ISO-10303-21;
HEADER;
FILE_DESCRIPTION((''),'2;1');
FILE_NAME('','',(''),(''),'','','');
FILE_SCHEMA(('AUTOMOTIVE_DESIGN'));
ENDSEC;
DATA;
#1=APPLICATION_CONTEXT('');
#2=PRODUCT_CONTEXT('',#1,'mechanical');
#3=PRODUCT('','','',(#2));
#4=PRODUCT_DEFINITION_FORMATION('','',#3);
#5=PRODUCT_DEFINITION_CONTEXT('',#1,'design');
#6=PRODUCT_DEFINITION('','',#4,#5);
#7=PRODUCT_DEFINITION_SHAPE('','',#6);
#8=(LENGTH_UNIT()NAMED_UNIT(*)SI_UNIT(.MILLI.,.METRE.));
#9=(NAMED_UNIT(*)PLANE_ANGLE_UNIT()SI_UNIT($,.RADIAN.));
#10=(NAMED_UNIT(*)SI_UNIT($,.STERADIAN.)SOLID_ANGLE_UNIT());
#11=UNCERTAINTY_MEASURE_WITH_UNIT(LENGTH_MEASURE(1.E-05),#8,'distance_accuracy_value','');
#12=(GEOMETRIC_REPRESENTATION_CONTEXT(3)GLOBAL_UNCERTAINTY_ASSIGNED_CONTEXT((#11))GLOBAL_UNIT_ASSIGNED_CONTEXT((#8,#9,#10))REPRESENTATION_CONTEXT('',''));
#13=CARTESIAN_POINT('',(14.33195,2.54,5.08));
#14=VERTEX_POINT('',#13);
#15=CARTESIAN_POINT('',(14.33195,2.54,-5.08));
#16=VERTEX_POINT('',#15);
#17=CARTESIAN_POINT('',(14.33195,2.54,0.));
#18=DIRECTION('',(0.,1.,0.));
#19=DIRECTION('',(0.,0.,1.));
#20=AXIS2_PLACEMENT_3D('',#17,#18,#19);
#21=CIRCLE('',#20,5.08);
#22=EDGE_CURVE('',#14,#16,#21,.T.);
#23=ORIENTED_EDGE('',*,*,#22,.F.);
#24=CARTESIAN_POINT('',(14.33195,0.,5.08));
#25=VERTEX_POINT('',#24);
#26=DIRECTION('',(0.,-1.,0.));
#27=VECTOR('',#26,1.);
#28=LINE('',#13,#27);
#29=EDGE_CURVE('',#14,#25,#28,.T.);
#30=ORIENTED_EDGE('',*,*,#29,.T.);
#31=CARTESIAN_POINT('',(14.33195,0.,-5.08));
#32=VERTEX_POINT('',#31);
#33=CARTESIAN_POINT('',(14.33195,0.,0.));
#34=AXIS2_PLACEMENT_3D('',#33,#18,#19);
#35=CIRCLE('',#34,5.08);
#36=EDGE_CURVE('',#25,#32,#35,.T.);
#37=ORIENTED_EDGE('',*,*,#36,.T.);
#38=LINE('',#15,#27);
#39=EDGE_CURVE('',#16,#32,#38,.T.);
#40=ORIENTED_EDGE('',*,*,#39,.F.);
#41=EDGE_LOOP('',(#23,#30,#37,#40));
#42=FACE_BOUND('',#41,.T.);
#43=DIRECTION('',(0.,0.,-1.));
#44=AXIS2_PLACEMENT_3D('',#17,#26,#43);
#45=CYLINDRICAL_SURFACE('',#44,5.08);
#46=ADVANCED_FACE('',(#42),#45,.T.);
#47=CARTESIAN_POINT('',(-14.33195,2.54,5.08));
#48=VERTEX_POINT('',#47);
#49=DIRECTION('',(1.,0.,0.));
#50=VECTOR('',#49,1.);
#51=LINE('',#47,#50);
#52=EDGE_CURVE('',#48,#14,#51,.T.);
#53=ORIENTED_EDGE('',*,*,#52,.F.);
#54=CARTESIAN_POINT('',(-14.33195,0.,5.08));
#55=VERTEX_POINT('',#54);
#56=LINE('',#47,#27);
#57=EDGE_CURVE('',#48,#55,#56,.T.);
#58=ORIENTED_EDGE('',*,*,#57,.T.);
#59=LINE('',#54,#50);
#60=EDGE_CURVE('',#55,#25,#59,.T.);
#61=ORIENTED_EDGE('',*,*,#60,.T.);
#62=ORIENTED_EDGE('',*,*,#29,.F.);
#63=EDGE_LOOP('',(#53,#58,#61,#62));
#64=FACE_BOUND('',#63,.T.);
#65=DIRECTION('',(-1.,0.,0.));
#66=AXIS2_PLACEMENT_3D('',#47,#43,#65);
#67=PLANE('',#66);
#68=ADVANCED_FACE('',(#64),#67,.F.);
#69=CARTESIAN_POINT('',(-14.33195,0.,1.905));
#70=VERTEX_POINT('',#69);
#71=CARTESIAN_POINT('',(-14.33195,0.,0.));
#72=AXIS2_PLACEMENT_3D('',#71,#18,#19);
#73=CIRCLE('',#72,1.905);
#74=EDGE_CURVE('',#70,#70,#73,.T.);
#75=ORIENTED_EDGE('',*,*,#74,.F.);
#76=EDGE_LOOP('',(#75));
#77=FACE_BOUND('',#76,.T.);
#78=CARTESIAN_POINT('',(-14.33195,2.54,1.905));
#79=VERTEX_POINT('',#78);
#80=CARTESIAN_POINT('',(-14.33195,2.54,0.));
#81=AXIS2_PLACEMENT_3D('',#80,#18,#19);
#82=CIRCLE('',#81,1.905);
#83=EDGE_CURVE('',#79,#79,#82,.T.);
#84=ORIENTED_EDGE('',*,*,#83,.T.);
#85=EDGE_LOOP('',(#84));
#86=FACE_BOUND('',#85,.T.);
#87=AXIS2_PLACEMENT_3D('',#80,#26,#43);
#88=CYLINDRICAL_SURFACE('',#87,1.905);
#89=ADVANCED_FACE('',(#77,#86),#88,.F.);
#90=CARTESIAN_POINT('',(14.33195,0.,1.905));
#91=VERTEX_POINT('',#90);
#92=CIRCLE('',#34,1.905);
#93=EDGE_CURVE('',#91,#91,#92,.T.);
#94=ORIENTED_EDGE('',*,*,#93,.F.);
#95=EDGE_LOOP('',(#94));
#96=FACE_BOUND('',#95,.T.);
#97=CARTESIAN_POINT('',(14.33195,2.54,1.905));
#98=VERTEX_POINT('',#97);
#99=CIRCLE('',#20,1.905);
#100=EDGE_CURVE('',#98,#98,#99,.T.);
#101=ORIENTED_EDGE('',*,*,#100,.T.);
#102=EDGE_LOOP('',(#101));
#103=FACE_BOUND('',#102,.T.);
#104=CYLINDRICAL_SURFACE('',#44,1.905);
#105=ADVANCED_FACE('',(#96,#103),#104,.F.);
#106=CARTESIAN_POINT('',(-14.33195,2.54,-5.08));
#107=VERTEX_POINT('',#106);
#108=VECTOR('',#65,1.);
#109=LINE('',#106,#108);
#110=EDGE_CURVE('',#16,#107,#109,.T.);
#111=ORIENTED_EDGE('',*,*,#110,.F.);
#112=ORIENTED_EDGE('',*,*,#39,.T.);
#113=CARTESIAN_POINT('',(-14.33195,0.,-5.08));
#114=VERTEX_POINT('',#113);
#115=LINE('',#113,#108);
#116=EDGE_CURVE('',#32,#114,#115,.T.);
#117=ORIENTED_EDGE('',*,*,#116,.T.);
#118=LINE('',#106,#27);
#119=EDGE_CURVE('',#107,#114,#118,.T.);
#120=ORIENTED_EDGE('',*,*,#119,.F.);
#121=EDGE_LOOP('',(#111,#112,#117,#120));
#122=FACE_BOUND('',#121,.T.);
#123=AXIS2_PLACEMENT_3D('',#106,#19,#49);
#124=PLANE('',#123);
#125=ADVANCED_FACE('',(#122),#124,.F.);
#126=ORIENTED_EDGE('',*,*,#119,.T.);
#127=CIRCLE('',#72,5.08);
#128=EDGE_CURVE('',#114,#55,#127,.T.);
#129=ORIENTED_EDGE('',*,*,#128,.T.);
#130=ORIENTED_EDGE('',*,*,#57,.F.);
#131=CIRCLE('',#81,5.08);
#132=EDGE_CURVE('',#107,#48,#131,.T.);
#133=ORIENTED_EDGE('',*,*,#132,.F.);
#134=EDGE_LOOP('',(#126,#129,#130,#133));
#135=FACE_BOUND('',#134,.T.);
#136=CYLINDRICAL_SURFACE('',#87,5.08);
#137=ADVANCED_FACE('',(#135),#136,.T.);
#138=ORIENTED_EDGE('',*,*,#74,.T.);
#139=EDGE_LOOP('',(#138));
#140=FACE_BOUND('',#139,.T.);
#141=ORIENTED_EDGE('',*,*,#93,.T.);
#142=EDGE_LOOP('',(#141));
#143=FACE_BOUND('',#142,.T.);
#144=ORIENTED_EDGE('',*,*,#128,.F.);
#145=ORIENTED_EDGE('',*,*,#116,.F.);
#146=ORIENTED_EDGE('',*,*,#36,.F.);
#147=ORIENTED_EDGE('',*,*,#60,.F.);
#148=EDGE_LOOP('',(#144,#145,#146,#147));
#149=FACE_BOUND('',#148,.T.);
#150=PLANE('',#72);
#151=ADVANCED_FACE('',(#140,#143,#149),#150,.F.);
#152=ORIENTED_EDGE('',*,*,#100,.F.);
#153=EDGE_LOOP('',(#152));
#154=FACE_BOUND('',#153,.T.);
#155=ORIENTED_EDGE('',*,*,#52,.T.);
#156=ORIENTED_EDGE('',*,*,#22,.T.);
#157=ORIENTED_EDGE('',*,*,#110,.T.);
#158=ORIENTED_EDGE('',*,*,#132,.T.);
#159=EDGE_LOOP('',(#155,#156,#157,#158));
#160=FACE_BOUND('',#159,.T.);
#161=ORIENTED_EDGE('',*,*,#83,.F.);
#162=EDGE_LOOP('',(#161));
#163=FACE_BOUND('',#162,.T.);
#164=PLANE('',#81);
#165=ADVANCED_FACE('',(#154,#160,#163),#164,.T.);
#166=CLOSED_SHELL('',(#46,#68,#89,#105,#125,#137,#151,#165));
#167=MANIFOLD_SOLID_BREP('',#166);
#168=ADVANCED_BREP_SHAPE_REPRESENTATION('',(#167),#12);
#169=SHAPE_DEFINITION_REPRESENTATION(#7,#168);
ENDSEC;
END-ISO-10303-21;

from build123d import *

# Parameters (mm, degrees)
SKETCH1_R           = 1.905
BOSS_EXTRUDE1_DEPTH = 2.54


with BuildPart() as part:
    # Sketch1 → Boss-Extrude1 (new body)
    with BuildSketch(Plane(origin=(0, 0, 0), x_dir=(1, 0, 0), z_dir=(0, 1, 0))):
        with BuildLine():
            Line((-14.33195, 5.08), (14.33195, 5.08))
            ThreePointArc((14.33195, 5.08), (19.41195, 0), (14.33195, -5.08))
            Line((14.33195, -5.08), (-14.33195, -5.08))
            ThreePointArc((-14.33195, -5.08), (-19.41195, 0), (-14.33195, 5.08))
        make_face()
        with Locations(Location((-14.33195, 0, 0), (0, 0, 270))):
            Circle(SKETCH1_R, mode=Mode.SUBTRACT)
        with Locations(Location((14.33195, 0, 0), (0, 0, 270))):
            Circle(SKETCH1_R, mode=Mode.SUBTRACT)
    extrude(amount=BOSS_EXTRUDE1_DEPTH)


solid = part.part
